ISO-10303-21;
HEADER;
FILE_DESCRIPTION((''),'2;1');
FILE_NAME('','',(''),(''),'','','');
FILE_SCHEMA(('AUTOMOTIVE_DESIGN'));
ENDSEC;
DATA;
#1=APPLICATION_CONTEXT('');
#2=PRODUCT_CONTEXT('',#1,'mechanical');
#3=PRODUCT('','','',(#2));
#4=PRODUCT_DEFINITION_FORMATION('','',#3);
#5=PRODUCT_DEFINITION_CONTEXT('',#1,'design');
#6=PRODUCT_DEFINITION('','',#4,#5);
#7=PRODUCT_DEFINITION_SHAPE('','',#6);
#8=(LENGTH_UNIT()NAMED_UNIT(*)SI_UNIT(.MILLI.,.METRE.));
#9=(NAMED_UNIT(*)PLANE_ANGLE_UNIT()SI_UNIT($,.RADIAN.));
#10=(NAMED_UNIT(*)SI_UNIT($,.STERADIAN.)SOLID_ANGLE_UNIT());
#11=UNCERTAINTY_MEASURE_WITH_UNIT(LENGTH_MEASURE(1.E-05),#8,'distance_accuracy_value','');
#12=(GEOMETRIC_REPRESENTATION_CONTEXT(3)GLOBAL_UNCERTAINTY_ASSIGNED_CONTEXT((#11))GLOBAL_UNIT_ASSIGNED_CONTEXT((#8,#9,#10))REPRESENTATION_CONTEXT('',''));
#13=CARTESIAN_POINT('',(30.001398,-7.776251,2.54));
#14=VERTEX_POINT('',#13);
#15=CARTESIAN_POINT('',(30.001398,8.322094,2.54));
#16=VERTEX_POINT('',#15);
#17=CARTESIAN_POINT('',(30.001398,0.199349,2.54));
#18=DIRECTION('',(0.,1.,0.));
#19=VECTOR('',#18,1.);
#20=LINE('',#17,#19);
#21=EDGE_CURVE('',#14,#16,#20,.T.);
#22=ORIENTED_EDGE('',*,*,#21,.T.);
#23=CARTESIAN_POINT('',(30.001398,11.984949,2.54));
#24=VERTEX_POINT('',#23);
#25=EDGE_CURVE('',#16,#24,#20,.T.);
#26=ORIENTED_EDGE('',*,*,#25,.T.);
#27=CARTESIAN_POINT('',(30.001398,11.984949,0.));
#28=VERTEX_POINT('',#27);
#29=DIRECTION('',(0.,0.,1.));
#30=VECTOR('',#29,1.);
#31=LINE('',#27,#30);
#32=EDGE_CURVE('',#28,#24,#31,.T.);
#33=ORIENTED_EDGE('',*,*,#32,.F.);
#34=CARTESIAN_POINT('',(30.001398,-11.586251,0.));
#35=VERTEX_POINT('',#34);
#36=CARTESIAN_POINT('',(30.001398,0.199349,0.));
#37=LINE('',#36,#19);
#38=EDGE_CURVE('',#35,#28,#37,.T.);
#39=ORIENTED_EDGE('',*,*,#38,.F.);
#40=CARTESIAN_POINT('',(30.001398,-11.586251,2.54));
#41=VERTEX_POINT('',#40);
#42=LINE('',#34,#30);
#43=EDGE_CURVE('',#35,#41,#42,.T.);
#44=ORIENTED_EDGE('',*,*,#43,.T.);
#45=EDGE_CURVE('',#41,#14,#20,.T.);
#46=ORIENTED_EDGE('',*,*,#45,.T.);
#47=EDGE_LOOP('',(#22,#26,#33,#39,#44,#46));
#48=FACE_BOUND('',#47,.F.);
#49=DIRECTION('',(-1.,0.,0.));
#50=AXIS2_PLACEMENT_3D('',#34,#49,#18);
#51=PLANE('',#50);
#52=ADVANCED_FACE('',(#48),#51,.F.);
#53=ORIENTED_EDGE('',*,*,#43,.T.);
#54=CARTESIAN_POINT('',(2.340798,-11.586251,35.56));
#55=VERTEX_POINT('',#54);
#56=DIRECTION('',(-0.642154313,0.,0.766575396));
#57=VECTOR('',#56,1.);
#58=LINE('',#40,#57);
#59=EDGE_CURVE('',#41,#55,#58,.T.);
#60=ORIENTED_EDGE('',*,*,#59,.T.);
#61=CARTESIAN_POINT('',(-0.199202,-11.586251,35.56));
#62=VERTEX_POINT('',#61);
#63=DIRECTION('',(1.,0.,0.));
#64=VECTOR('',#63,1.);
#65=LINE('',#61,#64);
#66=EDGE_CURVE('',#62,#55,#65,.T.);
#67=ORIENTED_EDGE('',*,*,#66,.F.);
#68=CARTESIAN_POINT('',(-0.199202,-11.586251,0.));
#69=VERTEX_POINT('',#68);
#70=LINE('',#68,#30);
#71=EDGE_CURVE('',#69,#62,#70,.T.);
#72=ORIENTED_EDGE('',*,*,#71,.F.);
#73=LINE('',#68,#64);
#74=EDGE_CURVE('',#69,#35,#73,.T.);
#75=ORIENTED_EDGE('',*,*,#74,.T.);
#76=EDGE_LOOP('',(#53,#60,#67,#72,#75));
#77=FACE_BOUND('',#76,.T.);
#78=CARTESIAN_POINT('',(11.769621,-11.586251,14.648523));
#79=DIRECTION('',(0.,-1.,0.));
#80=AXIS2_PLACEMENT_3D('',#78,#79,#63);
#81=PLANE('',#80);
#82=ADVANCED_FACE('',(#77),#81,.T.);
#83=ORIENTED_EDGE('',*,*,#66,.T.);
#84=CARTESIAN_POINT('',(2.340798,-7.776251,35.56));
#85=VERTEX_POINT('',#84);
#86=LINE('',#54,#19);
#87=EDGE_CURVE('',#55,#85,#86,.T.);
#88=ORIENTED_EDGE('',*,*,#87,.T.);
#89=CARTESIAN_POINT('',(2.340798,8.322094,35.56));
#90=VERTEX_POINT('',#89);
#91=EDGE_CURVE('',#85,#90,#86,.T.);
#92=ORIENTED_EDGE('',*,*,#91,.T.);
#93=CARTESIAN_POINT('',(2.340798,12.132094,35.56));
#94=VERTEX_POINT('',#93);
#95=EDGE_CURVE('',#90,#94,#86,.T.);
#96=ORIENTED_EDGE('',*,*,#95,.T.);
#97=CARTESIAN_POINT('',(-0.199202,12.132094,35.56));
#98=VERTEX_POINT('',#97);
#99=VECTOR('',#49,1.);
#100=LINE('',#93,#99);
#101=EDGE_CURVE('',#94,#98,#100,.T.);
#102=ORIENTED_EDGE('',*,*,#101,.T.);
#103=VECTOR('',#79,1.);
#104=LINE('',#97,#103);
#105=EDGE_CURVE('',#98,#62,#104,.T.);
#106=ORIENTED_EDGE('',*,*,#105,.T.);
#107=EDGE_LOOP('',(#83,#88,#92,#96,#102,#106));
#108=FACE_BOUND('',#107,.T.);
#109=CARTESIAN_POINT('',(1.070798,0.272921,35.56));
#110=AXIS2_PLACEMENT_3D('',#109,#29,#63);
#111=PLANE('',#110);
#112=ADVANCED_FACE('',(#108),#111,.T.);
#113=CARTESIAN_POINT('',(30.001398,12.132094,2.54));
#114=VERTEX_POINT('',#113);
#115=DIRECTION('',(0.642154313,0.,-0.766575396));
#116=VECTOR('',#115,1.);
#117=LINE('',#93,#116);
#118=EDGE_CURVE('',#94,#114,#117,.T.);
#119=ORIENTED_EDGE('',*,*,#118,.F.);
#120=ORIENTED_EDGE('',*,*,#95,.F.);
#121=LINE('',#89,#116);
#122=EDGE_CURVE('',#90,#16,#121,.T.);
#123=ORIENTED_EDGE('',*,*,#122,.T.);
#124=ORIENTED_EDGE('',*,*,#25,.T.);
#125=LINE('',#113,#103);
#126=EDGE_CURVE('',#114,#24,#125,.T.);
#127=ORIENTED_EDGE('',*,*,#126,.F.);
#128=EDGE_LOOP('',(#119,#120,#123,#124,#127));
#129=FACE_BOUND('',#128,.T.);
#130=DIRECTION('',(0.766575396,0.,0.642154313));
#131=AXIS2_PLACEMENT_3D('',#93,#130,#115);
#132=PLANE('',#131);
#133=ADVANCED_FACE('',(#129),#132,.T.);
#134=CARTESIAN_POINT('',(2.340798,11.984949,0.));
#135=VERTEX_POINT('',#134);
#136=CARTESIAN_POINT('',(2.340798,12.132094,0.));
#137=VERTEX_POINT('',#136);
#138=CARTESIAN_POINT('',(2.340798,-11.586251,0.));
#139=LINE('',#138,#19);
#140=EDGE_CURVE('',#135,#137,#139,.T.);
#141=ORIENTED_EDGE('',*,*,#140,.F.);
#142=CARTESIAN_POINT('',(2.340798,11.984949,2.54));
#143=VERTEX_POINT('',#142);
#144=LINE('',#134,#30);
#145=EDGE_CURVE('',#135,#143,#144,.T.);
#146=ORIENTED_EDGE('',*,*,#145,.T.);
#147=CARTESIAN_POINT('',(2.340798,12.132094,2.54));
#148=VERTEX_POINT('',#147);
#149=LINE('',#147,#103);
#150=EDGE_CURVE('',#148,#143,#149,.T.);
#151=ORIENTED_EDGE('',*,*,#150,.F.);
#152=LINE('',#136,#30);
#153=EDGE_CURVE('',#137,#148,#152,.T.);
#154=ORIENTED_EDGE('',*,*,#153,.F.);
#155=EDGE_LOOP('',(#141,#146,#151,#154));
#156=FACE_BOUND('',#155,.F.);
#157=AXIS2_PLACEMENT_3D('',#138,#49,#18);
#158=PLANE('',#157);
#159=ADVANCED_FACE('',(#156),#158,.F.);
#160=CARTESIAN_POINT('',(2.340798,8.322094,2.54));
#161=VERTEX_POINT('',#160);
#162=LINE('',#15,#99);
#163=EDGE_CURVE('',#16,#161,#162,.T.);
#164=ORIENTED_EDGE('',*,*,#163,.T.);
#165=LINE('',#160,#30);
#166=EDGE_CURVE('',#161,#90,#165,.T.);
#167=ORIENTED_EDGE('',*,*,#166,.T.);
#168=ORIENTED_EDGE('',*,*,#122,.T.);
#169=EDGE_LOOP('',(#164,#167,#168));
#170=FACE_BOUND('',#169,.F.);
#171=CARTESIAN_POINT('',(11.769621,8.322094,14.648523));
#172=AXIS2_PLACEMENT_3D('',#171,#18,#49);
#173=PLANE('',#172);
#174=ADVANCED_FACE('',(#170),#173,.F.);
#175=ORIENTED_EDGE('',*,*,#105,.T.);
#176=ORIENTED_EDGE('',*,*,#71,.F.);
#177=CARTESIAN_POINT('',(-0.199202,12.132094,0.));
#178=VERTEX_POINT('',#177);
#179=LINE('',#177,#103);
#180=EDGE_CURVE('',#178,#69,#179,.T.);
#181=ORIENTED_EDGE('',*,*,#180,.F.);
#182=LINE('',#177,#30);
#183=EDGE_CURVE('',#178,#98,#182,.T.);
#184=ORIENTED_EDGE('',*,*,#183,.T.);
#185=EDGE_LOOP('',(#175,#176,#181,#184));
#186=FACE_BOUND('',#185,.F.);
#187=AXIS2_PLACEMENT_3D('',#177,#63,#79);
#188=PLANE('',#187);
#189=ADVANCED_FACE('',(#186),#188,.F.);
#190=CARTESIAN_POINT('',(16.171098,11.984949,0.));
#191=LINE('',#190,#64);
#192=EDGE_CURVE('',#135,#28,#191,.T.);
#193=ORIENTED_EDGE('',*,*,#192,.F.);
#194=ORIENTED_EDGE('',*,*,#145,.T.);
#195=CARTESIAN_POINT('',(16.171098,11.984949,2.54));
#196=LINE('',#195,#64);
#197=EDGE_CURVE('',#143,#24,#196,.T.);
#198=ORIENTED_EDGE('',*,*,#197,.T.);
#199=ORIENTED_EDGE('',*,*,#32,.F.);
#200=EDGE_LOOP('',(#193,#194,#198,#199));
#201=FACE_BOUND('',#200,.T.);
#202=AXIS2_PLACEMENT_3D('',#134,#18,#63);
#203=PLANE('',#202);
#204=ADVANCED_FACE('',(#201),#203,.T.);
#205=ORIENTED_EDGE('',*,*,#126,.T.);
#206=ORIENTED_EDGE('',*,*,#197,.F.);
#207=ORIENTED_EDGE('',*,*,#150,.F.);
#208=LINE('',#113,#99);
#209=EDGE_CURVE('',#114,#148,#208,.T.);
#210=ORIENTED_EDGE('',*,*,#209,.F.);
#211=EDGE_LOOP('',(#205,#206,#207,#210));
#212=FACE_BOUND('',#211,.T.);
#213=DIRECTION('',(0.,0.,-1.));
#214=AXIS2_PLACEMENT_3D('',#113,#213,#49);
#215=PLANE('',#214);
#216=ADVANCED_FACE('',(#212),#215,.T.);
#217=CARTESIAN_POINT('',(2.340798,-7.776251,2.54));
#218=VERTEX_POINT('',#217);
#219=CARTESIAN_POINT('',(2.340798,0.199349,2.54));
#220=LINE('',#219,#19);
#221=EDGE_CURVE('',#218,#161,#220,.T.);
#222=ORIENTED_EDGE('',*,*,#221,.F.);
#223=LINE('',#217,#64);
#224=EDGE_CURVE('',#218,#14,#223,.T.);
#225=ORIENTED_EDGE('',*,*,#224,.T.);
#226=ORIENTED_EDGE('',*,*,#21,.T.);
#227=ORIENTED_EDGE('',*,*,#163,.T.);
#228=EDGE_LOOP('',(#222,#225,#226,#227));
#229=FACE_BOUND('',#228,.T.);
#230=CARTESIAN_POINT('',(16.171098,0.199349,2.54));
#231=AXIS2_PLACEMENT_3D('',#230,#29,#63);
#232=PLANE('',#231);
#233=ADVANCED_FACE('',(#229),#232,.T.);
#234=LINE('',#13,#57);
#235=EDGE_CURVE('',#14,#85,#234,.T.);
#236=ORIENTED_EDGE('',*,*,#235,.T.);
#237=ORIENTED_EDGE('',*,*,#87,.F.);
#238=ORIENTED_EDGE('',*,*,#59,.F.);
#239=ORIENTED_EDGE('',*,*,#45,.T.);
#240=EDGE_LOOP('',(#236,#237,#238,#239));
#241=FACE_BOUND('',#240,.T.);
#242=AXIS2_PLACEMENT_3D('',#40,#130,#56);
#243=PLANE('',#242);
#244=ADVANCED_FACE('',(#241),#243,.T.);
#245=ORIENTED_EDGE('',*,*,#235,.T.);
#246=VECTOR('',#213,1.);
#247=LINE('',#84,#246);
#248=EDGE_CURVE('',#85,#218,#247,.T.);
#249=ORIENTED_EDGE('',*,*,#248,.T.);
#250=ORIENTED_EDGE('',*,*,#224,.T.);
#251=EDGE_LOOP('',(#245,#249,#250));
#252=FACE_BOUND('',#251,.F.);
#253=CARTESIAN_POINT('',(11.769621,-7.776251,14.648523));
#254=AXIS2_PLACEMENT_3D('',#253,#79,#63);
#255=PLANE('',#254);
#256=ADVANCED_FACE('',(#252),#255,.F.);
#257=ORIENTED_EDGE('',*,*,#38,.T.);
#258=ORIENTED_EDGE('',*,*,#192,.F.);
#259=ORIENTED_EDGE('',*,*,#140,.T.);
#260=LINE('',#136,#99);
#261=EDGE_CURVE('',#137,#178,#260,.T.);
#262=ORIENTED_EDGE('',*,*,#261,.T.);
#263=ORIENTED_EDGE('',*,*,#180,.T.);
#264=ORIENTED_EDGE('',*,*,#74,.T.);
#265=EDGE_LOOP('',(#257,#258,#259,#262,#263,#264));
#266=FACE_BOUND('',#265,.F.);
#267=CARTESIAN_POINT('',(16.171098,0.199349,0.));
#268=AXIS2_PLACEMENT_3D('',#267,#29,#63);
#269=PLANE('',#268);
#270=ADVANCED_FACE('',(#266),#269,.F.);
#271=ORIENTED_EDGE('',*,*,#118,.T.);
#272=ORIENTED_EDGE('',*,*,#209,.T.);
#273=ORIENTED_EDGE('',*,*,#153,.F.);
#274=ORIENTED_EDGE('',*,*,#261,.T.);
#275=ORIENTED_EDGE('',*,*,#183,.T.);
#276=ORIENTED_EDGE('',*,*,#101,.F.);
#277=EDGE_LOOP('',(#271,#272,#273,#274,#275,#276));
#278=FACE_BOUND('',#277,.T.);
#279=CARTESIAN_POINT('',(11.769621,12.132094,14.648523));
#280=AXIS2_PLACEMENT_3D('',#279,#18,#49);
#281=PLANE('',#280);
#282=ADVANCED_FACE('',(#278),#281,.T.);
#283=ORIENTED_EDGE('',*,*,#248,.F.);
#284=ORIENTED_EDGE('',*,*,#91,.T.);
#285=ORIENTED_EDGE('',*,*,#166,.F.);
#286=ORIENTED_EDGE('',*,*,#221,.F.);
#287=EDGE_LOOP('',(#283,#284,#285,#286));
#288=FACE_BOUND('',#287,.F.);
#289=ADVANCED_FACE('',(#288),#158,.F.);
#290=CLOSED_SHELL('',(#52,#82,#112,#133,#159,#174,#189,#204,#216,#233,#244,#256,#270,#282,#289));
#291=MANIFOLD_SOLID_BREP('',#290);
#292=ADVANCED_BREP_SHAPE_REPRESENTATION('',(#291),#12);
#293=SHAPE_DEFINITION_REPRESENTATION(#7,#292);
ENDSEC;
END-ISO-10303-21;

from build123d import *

# Parameters (mm, degrees)
F1_DEPTH = 35.56
F2_W     = 27.6606
F2_H     = 23.5712
F4_DEPTH = 2.54
F7_DEPTH = 3.81
F8_DEPTH = 3.81


with BuildPart() as f1:
    # F0 (on Top) → F1 (new body)
    with BuildSketch(Plane.XY):
        Polygon((0, 12.2589374599), (0, 12.1117923089), (0, -11.4594076911), (2.54, -11.4594076911), (2.54, 12.2589374599), align=None)
    extrude(amount=F1_DEPTH)


with BuildPart() as f1_1:
    # F3: moved
    add(f1.part.moved(Location((-0.1992022446, -0.1268434648, 0))))

    # F2 (on Top) → F4 (join)
    with BuildSketch(Plane.XY):
        with Locations((16.1710977554, 0.1993488441)):
            Rectangle(F2_W, F2_H)
    extrude(amount=F4_DEPTH)

    # F5 (on face) → F7 (join)
    with BuildSketch(Plane.XZ.offset(11.5862511559)):
        Polygon((30.0013977554, 2.54), (2.3407977554, 35.56), (2.3407977554, 2.54), align=None)
    extrude(amount=-F7_DEPTH)

    # F6 (on face) → F8 (join)
    with BuildSketch(Plane(origin=(0, 12.1320939951, 0), x_dir=(-1, 0, 0), z_dir=(0, 1, 0))):
        Polygon((-2.3407977554, 35.56), (-30.0013977554, 2.54), (-2.3407977554, 2.54), align=None)
    extrude(amount=-F8_DEPTH)


solid = f1_1.part
